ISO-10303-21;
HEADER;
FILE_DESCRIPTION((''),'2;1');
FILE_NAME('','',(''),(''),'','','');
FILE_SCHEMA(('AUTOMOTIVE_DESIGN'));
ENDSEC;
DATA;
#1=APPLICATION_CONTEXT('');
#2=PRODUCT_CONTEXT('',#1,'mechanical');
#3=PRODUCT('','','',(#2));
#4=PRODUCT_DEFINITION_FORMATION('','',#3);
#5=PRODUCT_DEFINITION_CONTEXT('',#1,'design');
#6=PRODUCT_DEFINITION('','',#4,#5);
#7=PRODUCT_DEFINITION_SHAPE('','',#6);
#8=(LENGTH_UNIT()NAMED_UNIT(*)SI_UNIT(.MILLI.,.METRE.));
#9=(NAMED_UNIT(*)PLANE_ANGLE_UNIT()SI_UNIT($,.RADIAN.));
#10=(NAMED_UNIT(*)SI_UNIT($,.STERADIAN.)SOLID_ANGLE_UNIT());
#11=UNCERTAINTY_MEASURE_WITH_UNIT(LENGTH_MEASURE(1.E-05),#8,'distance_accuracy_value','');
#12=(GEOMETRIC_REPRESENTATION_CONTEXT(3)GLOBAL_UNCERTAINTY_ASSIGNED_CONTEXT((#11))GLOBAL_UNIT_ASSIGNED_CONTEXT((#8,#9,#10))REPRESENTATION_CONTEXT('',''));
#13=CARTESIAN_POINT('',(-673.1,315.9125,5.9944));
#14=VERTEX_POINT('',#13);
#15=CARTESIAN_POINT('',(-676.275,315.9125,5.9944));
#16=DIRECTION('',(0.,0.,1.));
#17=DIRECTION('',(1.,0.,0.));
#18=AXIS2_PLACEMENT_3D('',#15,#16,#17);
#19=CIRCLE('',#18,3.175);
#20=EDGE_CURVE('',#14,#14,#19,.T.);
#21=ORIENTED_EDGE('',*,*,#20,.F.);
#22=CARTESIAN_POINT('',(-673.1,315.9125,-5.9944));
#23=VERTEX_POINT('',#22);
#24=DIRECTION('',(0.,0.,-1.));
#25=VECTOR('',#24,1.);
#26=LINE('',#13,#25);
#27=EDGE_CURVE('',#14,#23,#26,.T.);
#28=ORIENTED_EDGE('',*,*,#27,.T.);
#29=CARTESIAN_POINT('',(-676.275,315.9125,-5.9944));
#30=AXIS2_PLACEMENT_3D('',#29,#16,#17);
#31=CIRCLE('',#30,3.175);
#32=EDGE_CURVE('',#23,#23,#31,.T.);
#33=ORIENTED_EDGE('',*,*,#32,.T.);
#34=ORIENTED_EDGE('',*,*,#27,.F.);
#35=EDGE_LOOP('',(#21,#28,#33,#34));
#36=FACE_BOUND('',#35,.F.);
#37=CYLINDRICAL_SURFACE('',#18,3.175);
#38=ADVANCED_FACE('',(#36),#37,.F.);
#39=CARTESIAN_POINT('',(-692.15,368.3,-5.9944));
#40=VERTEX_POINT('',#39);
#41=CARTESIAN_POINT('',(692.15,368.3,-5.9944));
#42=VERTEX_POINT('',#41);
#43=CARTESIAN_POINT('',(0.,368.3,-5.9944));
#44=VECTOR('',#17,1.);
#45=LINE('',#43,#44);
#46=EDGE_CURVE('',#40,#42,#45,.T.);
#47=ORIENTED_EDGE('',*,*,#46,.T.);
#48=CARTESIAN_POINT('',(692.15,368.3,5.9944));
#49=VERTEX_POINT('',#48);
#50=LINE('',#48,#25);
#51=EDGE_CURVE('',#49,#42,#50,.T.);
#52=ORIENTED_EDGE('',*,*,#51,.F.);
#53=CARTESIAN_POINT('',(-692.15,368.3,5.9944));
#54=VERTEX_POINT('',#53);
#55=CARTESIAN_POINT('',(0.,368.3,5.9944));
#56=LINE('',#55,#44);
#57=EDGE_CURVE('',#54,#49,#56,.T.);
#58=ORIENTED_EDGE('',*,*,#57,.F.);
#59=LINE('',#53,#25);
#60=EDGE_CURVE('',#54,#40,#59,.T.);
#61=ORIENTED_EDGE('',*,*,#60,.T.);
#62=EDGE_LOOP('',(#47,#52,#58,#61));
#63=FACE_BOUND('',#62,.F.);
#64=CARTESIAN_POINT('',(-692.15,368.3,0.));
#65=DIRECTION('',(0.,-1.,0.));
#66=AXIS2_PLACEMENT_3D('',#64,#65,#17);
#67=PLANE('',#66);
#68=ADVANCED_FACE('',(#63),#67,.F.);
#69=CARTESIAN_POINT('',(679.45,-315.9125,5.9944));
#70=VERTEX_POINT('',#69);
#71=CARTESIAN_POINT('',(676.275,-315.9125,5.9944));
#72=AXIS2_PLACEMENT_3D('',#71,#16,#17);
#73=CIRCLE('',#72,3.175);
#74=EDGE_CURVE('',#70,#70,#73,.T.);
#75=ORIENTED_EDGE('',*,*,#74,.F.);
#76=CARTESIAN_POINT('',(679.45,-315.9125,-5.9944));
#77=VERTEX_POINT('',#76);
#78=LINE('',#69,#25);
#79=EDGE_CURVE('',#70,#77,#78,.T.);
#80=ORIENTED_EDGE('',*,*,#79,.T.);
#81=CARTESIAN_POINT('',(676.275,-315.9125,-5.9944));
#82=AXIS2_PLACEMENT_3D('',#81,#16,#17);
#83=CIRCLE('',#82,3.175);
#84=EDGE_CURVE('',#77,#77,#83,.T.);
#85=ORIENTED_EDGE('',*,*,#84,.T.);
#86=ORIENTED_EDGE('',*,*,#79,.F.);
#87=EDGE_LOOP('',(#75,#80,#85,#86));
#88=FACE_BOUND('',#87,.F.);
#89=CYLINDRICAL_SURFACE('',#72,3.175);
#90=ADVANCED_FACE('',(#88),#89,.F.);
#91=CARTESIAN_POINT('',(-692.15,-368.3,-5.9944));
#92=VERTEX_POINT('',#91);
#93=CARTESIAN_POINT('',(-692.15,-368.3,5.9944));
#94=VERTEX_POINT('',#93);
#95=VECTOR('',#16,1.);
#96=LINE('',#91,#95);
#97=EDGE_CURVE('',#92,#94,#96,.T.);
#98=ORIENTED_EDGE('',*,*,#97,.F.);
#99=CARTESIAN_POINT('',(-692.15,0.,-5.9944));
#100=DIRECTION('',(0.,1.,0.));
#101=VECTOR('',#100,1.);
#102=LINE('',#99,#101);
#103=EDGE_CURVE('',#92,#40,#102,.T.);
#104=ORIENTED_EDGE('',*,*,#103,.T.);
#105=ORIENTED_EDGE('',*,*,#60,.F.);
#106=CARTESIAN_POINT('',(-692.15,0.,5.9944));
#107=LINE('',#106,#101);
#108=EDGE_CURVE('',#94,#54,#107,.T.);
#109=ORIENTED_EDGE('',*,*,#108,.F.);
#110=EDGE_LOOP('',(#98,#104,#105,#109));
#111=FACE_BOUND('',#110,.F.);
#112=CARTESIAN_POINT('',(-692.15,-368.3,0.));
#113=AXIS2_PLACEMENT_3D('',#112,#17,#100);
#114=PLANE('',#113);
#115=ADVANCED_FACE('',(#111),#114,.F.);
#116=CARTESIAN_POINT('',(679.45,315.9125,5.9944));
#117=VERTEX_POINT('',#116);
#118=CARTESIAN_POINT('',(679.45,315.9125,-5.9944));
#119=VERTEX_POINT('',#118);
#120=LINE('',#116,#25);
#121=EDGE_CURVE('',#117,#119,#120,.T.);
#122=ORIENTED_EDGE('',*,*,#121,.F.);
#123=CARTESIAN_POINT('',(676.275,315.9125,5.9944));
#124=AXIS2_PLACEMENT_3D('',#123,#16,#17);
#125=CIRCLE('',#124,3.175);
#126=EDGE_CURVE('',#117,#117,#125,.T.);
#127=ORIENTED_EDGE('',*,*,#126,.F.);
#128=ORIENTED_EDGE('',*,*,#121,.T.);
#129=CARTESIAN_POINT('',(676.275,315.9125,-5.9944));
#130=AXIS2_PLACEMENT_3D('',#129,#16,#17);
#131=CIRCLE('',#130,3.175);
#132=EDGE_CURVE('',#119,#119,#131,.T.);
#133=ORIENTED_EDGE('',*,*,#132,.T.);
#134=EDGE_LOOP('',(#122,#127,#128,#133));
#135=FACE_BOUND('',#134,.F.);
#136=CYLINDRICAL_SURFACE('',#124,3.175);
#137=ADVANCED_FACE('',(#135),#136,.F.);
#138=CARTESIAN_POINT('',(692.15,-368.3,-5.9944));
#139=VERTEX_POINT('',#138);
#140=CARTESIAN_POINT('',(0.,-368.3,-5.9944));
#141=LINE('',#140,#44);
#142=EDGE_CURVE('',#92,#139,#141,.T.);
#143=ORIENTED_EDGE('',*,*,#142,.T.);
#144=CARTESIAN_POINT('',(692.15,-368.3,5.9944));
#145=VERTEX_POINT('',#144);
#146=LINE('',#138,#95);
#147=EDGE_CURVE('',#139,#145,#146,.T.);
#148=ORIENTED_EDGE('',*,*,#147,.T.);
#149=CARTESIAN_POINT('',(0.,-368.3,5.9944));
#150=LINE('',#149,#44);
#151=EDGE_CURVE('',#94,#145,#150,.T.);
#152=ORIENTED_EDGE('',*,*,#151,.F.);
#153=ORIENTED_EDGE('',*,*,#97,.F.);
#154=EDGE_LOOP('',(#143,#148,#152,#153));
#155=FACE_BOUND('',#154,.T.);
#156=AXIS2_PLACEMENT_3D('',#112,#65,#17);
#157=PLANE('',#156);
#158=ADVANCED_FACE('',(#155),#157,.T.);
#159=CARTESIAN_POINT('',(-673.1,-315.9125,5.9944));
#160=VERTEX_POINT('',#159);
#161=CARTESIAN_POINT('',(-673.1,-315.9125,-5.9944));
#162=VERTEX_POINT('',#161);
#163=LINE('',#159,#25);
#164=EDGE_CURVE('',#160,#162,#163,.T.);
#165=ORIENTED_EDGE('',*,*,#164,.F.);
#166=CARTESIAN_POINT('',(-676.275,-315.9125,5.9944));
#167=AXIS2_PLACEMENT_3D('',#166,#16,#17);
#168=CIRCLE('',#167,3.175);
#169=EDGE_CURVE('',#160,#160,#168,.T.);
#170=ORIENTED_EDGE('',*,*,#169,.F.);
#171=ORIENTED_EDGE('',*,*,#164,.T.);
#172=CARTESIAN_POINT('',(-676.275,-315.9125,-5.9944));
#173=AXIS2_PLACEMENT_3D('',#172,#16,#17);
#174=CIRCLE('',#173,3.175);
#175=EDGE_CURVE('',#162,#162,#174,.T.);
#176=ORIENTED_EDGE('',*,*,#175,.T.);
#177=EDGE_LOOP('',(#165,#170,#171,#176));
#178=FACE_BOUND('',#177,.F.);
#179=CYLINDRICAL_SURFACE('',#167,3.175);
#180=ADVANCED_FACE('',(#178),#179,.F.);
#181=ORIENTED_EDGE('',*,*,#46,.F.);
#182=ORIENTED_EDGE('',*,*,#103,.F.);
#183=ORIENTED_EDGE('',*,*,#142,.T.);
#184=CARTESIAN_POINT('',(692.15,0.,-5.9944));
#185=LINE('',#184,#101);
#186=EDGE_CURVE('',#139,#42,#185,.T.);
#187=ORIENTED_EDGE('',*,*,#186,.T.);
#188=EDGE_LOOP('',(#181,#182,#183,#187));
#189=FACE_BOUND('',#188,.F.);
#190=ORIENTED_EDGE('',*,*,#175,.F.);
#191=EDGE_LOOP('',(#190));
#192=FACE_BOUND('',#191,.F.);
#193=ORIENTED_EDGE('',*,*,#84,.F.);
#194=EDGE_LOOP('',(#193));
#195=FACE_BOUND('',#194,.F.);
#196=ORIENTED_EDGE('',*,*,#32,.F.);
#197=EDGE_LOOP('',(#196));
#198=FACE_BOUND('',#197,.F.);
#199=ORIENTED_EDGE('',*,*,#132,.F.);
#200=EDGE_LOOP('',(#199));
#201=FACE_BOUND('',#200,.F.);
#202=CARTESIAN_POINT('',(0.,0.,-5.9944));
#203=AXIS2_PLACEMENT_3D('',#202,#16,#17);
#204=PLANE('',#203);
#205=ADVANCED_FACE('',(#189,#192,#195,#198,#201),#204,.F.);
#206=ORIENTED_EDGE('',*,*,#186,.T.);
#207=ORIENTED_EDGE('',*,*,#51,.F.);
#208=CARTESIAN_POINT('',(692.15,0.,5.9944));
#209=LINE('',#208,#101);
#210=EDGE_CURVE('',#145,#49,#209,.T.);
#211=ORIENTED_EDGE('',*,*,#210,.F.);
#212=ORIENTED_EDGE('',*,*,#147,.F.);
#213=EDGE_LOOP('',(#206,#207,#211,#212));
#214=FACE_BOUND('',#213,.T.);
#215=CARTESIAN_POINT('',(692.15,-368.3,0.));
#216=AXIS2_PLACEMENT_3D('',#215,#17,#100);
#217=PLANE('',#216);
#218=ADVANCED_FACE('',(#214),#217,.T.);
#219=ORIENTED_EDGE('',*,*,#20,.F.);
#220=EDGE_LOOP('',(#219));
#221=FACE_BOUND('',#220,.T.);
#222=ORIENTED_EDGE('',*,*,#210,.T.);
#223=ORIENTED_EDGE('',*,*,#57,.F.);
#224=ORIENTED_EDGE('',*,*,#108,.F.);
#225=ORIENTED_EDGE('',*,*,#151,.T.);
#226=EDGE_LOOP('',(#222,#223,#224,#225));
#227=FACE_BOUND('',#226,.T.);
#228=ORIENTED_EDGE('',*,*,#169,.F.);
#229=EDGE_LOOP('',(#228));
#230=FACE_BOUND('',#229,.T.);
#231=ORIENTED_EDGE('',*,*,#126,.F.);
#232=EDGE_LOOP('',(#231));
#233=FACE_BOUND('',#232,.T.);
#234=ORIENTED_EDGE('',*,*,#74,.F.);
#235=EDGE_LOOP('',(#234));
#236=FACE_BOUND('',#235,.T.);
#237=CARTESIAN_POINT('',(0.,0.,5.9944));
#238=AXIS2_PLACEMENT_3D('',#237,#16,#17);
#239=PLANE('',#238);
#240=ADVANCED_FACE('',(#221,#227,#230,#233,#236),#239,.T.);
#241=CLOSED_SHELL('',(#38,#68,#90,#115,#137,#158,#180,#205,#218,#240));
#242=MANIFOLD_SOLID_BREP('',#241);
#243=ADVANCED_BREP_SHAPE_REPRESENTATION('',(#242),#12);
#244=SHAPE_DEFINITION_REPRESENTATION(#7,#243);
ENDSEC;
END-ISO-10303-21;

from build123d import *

# Parameters (mm, degrees)
F0_W     = 1384.3
F0_H     = 736.6
F1_DEPTH = 5.9944
F2_R     = 3.175
F3_DEPTH = 11.9888


with BuildPart() as f1:
    # F0 (on Top) → F1 (new body, symmetric)
    with BuildSketch(Plane.XY):
        Rectangle(F0_W, F0_H)
    extrude(amount=F1_DEPTH, both=True)

    # F2 (on face) → F3 (cut, through all)
    with BuildSketch(Plane.XY.offset(5.9944)):
        with Locations((-676.275, 315.9125)):
            Circle(F2_R)
        with Locations((676.275, 315.9125)):
            Circle(F2_R)
        with Locations((676.275, -315.9125)):
            Circle(F2_R)
        with Locations((-676.275, -315.9125)):
            Circle(F2_R)
    extrude(amount=-F3_DEPTH, mode=Mode.SUBTRACT)


solid = f1.part
